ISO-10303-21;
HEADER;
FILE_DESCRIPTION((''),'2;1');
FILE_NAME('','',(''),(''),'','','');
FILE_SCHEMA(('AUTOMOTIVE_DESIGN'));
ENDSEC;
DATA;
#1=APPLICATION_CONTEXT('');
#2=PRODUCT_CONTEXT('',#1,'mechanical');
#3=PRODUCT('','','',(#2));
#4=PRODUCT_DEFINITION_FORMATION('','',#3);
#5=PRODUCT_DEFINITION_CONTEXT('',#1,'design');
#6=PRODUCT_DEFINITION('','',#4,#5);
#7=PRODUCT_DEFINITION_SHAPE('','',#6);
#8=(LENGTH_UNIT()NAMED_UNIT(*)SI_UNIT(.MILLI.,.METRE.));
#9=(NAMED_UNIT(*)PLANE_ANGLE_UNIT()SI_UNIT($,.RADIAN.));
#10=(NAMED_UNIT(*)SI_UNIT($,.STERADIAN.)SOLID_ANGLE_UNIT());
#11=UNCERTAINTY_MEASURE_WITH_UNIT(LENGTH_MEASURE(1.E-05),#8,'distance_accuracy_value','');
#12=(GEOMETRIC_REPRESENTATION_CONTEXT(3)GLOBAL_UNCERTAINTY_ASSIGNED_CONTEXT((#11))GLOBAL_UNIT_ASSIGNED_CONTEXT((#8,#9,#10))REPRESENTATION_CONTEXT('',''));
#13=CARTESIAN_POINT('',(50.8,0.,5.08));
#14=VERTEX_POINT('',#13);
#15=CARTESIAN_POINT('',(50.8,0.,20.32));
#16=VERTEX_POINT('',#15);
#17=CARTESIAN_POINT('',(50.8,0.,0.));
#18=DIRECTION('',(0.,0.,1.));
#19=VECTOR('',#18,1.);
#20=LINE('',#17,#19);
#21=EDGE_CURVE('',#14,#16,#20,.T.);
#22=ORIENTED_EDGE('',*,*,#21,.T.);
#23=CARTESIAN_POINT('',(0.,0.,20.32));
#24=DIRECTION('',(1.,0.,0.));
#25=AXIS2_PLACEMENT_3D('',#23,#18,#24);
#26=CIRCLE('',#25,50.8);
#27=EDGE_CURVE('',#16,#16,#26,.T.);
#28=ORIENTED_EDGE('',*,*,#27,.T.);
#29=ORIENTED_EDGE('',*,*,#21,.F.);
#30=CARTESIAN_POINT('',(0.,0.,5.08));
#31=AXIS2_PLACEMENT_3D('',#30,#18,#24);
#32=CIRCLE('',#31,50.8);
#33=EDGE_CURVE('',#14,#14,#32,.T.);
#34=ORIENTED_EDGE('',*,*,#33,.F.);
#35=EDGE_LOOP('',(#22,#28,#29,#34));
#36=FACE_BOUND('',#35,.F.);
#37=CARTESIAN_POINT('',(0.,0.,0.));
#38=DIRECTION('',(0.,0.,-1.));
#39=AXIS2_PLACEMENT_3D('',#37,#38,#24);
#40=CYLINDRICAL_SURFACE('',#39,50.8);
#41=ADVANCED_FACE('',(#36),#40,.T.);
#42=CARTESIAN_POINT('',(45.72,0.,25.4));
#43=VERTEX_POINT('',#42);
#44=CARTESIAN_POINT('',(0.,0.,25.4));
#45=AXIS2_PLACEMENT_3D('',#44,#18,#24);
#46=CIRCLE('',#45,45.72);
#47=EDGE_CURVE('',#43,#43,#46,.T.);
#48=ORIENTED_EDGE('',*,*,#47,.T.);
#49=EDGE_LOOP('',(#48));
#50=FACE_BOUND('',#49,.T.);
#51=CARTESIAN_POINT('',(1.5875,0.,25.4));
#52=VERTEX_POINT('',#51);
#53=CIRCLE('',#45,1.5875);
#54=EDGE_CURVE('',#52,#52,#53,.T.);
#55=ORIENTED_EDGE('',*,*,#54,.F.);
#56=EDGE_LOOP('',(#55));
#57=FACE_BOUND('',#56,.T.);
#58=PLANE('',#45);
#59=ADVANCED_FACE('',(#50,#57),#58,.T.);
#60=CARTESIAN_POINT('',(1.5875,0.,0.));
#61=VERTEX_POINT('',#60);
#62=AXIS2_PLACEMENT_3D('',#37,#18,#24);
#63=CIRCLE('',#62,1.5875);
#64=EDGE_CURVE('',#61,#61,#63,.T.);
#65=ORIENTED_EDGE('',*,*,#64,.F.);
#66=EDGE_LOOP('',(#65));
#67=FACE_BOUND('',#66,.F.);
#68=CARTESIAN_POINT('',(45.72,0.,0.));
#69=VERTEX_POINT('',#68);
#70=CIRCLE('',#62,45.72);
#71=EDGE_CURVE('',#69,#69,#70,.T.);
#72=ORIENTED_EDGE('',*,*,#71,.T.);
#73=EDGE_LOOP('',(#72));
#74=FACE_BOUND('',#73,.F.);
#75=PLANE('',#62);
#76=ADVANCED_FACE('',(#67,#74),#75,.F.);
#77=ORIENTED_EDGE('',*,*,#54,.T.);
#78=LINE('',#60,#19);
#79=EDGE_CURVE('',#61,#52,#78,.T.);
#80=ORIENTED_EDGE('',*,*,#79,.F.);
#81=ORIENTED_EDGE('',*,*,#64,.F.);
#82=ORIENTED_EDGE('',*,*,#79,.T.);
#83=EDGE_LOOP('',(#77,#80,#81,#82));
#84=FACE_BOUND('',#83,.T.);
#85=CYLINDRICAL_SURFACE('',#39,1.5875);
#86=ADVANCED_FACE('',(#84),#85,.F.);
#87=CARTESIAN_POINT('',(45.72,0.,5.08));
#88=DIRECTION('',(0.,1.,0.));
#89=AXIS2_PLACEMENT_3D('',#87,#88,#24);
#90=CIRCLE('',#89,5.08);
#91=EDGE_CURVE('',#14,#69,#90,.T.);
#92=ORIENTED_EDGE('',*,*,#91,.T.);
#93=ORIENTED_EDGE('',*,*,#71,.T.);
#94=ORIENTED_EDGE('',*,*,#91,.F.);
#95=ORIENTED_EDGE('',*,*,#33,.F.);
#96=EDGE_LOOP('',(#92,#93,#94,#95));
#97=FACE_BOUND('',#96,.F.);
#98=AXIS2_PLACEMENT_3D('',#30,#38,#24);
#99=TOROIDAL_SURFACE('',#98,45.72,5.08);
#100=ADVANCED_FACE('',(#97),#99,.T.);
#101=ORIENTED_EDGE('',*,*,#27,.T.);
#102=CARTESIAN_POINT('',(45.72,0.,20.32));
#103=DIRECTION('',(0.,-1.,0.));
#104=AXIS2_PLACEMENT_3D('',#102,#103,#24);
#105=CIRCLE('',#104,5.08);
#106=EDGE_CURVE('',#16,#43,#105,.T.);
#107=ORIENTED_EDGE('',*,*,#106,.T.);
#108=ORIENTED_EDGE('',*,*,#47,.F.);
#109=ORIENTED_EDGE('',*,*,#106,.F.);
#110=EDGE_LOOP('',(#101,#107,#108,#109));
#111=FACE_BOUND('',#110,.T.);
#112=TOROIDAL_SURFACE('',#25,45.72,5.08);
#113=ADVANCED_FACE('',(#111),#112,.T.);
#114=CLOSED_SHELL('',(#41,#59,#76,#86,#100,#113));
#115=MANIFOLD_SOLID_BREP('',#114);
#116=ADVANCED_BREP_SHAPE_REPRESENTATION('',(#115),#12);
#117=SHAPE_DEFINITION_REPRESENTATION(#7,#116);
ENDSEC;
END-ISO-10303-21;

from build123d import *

# Parameters (mm, degrees)
F0_R     = 50.8
F0_R_2   = 1.5875
F1_DEPTH = 25.4
F2_DEPTH = 25.4
F3_R     = 5.08


with BuildPart() as f1:
    # F0 (on Top) → F1 (new body)
    with BuildSketch(Plane.XY):
        Circle(F0_R)
        Circle(F0_R_2, mode=Mode.SUBTRACT)
    extrude(amount=F1_DEPTH)

    # F0 (on Top) → F2 (join)
    with BuildSketch(Plane.XY):
        Circle(F0_R)
        Circle(F0_R_2, mode=Mode.SUBTRACT)
    extrude(amount=F2_DEPTH)

    # F3
    f3_edges = [f1.edges().sort_by_distance(p)[0] for p in [
        (-50.8, 0, 0),
        (50.8, 0, 12.7),
        (-50.8, 0, 25.4),
    ]]
    fillet(f3_edges, radius=F3_R)


solid = f1.part
